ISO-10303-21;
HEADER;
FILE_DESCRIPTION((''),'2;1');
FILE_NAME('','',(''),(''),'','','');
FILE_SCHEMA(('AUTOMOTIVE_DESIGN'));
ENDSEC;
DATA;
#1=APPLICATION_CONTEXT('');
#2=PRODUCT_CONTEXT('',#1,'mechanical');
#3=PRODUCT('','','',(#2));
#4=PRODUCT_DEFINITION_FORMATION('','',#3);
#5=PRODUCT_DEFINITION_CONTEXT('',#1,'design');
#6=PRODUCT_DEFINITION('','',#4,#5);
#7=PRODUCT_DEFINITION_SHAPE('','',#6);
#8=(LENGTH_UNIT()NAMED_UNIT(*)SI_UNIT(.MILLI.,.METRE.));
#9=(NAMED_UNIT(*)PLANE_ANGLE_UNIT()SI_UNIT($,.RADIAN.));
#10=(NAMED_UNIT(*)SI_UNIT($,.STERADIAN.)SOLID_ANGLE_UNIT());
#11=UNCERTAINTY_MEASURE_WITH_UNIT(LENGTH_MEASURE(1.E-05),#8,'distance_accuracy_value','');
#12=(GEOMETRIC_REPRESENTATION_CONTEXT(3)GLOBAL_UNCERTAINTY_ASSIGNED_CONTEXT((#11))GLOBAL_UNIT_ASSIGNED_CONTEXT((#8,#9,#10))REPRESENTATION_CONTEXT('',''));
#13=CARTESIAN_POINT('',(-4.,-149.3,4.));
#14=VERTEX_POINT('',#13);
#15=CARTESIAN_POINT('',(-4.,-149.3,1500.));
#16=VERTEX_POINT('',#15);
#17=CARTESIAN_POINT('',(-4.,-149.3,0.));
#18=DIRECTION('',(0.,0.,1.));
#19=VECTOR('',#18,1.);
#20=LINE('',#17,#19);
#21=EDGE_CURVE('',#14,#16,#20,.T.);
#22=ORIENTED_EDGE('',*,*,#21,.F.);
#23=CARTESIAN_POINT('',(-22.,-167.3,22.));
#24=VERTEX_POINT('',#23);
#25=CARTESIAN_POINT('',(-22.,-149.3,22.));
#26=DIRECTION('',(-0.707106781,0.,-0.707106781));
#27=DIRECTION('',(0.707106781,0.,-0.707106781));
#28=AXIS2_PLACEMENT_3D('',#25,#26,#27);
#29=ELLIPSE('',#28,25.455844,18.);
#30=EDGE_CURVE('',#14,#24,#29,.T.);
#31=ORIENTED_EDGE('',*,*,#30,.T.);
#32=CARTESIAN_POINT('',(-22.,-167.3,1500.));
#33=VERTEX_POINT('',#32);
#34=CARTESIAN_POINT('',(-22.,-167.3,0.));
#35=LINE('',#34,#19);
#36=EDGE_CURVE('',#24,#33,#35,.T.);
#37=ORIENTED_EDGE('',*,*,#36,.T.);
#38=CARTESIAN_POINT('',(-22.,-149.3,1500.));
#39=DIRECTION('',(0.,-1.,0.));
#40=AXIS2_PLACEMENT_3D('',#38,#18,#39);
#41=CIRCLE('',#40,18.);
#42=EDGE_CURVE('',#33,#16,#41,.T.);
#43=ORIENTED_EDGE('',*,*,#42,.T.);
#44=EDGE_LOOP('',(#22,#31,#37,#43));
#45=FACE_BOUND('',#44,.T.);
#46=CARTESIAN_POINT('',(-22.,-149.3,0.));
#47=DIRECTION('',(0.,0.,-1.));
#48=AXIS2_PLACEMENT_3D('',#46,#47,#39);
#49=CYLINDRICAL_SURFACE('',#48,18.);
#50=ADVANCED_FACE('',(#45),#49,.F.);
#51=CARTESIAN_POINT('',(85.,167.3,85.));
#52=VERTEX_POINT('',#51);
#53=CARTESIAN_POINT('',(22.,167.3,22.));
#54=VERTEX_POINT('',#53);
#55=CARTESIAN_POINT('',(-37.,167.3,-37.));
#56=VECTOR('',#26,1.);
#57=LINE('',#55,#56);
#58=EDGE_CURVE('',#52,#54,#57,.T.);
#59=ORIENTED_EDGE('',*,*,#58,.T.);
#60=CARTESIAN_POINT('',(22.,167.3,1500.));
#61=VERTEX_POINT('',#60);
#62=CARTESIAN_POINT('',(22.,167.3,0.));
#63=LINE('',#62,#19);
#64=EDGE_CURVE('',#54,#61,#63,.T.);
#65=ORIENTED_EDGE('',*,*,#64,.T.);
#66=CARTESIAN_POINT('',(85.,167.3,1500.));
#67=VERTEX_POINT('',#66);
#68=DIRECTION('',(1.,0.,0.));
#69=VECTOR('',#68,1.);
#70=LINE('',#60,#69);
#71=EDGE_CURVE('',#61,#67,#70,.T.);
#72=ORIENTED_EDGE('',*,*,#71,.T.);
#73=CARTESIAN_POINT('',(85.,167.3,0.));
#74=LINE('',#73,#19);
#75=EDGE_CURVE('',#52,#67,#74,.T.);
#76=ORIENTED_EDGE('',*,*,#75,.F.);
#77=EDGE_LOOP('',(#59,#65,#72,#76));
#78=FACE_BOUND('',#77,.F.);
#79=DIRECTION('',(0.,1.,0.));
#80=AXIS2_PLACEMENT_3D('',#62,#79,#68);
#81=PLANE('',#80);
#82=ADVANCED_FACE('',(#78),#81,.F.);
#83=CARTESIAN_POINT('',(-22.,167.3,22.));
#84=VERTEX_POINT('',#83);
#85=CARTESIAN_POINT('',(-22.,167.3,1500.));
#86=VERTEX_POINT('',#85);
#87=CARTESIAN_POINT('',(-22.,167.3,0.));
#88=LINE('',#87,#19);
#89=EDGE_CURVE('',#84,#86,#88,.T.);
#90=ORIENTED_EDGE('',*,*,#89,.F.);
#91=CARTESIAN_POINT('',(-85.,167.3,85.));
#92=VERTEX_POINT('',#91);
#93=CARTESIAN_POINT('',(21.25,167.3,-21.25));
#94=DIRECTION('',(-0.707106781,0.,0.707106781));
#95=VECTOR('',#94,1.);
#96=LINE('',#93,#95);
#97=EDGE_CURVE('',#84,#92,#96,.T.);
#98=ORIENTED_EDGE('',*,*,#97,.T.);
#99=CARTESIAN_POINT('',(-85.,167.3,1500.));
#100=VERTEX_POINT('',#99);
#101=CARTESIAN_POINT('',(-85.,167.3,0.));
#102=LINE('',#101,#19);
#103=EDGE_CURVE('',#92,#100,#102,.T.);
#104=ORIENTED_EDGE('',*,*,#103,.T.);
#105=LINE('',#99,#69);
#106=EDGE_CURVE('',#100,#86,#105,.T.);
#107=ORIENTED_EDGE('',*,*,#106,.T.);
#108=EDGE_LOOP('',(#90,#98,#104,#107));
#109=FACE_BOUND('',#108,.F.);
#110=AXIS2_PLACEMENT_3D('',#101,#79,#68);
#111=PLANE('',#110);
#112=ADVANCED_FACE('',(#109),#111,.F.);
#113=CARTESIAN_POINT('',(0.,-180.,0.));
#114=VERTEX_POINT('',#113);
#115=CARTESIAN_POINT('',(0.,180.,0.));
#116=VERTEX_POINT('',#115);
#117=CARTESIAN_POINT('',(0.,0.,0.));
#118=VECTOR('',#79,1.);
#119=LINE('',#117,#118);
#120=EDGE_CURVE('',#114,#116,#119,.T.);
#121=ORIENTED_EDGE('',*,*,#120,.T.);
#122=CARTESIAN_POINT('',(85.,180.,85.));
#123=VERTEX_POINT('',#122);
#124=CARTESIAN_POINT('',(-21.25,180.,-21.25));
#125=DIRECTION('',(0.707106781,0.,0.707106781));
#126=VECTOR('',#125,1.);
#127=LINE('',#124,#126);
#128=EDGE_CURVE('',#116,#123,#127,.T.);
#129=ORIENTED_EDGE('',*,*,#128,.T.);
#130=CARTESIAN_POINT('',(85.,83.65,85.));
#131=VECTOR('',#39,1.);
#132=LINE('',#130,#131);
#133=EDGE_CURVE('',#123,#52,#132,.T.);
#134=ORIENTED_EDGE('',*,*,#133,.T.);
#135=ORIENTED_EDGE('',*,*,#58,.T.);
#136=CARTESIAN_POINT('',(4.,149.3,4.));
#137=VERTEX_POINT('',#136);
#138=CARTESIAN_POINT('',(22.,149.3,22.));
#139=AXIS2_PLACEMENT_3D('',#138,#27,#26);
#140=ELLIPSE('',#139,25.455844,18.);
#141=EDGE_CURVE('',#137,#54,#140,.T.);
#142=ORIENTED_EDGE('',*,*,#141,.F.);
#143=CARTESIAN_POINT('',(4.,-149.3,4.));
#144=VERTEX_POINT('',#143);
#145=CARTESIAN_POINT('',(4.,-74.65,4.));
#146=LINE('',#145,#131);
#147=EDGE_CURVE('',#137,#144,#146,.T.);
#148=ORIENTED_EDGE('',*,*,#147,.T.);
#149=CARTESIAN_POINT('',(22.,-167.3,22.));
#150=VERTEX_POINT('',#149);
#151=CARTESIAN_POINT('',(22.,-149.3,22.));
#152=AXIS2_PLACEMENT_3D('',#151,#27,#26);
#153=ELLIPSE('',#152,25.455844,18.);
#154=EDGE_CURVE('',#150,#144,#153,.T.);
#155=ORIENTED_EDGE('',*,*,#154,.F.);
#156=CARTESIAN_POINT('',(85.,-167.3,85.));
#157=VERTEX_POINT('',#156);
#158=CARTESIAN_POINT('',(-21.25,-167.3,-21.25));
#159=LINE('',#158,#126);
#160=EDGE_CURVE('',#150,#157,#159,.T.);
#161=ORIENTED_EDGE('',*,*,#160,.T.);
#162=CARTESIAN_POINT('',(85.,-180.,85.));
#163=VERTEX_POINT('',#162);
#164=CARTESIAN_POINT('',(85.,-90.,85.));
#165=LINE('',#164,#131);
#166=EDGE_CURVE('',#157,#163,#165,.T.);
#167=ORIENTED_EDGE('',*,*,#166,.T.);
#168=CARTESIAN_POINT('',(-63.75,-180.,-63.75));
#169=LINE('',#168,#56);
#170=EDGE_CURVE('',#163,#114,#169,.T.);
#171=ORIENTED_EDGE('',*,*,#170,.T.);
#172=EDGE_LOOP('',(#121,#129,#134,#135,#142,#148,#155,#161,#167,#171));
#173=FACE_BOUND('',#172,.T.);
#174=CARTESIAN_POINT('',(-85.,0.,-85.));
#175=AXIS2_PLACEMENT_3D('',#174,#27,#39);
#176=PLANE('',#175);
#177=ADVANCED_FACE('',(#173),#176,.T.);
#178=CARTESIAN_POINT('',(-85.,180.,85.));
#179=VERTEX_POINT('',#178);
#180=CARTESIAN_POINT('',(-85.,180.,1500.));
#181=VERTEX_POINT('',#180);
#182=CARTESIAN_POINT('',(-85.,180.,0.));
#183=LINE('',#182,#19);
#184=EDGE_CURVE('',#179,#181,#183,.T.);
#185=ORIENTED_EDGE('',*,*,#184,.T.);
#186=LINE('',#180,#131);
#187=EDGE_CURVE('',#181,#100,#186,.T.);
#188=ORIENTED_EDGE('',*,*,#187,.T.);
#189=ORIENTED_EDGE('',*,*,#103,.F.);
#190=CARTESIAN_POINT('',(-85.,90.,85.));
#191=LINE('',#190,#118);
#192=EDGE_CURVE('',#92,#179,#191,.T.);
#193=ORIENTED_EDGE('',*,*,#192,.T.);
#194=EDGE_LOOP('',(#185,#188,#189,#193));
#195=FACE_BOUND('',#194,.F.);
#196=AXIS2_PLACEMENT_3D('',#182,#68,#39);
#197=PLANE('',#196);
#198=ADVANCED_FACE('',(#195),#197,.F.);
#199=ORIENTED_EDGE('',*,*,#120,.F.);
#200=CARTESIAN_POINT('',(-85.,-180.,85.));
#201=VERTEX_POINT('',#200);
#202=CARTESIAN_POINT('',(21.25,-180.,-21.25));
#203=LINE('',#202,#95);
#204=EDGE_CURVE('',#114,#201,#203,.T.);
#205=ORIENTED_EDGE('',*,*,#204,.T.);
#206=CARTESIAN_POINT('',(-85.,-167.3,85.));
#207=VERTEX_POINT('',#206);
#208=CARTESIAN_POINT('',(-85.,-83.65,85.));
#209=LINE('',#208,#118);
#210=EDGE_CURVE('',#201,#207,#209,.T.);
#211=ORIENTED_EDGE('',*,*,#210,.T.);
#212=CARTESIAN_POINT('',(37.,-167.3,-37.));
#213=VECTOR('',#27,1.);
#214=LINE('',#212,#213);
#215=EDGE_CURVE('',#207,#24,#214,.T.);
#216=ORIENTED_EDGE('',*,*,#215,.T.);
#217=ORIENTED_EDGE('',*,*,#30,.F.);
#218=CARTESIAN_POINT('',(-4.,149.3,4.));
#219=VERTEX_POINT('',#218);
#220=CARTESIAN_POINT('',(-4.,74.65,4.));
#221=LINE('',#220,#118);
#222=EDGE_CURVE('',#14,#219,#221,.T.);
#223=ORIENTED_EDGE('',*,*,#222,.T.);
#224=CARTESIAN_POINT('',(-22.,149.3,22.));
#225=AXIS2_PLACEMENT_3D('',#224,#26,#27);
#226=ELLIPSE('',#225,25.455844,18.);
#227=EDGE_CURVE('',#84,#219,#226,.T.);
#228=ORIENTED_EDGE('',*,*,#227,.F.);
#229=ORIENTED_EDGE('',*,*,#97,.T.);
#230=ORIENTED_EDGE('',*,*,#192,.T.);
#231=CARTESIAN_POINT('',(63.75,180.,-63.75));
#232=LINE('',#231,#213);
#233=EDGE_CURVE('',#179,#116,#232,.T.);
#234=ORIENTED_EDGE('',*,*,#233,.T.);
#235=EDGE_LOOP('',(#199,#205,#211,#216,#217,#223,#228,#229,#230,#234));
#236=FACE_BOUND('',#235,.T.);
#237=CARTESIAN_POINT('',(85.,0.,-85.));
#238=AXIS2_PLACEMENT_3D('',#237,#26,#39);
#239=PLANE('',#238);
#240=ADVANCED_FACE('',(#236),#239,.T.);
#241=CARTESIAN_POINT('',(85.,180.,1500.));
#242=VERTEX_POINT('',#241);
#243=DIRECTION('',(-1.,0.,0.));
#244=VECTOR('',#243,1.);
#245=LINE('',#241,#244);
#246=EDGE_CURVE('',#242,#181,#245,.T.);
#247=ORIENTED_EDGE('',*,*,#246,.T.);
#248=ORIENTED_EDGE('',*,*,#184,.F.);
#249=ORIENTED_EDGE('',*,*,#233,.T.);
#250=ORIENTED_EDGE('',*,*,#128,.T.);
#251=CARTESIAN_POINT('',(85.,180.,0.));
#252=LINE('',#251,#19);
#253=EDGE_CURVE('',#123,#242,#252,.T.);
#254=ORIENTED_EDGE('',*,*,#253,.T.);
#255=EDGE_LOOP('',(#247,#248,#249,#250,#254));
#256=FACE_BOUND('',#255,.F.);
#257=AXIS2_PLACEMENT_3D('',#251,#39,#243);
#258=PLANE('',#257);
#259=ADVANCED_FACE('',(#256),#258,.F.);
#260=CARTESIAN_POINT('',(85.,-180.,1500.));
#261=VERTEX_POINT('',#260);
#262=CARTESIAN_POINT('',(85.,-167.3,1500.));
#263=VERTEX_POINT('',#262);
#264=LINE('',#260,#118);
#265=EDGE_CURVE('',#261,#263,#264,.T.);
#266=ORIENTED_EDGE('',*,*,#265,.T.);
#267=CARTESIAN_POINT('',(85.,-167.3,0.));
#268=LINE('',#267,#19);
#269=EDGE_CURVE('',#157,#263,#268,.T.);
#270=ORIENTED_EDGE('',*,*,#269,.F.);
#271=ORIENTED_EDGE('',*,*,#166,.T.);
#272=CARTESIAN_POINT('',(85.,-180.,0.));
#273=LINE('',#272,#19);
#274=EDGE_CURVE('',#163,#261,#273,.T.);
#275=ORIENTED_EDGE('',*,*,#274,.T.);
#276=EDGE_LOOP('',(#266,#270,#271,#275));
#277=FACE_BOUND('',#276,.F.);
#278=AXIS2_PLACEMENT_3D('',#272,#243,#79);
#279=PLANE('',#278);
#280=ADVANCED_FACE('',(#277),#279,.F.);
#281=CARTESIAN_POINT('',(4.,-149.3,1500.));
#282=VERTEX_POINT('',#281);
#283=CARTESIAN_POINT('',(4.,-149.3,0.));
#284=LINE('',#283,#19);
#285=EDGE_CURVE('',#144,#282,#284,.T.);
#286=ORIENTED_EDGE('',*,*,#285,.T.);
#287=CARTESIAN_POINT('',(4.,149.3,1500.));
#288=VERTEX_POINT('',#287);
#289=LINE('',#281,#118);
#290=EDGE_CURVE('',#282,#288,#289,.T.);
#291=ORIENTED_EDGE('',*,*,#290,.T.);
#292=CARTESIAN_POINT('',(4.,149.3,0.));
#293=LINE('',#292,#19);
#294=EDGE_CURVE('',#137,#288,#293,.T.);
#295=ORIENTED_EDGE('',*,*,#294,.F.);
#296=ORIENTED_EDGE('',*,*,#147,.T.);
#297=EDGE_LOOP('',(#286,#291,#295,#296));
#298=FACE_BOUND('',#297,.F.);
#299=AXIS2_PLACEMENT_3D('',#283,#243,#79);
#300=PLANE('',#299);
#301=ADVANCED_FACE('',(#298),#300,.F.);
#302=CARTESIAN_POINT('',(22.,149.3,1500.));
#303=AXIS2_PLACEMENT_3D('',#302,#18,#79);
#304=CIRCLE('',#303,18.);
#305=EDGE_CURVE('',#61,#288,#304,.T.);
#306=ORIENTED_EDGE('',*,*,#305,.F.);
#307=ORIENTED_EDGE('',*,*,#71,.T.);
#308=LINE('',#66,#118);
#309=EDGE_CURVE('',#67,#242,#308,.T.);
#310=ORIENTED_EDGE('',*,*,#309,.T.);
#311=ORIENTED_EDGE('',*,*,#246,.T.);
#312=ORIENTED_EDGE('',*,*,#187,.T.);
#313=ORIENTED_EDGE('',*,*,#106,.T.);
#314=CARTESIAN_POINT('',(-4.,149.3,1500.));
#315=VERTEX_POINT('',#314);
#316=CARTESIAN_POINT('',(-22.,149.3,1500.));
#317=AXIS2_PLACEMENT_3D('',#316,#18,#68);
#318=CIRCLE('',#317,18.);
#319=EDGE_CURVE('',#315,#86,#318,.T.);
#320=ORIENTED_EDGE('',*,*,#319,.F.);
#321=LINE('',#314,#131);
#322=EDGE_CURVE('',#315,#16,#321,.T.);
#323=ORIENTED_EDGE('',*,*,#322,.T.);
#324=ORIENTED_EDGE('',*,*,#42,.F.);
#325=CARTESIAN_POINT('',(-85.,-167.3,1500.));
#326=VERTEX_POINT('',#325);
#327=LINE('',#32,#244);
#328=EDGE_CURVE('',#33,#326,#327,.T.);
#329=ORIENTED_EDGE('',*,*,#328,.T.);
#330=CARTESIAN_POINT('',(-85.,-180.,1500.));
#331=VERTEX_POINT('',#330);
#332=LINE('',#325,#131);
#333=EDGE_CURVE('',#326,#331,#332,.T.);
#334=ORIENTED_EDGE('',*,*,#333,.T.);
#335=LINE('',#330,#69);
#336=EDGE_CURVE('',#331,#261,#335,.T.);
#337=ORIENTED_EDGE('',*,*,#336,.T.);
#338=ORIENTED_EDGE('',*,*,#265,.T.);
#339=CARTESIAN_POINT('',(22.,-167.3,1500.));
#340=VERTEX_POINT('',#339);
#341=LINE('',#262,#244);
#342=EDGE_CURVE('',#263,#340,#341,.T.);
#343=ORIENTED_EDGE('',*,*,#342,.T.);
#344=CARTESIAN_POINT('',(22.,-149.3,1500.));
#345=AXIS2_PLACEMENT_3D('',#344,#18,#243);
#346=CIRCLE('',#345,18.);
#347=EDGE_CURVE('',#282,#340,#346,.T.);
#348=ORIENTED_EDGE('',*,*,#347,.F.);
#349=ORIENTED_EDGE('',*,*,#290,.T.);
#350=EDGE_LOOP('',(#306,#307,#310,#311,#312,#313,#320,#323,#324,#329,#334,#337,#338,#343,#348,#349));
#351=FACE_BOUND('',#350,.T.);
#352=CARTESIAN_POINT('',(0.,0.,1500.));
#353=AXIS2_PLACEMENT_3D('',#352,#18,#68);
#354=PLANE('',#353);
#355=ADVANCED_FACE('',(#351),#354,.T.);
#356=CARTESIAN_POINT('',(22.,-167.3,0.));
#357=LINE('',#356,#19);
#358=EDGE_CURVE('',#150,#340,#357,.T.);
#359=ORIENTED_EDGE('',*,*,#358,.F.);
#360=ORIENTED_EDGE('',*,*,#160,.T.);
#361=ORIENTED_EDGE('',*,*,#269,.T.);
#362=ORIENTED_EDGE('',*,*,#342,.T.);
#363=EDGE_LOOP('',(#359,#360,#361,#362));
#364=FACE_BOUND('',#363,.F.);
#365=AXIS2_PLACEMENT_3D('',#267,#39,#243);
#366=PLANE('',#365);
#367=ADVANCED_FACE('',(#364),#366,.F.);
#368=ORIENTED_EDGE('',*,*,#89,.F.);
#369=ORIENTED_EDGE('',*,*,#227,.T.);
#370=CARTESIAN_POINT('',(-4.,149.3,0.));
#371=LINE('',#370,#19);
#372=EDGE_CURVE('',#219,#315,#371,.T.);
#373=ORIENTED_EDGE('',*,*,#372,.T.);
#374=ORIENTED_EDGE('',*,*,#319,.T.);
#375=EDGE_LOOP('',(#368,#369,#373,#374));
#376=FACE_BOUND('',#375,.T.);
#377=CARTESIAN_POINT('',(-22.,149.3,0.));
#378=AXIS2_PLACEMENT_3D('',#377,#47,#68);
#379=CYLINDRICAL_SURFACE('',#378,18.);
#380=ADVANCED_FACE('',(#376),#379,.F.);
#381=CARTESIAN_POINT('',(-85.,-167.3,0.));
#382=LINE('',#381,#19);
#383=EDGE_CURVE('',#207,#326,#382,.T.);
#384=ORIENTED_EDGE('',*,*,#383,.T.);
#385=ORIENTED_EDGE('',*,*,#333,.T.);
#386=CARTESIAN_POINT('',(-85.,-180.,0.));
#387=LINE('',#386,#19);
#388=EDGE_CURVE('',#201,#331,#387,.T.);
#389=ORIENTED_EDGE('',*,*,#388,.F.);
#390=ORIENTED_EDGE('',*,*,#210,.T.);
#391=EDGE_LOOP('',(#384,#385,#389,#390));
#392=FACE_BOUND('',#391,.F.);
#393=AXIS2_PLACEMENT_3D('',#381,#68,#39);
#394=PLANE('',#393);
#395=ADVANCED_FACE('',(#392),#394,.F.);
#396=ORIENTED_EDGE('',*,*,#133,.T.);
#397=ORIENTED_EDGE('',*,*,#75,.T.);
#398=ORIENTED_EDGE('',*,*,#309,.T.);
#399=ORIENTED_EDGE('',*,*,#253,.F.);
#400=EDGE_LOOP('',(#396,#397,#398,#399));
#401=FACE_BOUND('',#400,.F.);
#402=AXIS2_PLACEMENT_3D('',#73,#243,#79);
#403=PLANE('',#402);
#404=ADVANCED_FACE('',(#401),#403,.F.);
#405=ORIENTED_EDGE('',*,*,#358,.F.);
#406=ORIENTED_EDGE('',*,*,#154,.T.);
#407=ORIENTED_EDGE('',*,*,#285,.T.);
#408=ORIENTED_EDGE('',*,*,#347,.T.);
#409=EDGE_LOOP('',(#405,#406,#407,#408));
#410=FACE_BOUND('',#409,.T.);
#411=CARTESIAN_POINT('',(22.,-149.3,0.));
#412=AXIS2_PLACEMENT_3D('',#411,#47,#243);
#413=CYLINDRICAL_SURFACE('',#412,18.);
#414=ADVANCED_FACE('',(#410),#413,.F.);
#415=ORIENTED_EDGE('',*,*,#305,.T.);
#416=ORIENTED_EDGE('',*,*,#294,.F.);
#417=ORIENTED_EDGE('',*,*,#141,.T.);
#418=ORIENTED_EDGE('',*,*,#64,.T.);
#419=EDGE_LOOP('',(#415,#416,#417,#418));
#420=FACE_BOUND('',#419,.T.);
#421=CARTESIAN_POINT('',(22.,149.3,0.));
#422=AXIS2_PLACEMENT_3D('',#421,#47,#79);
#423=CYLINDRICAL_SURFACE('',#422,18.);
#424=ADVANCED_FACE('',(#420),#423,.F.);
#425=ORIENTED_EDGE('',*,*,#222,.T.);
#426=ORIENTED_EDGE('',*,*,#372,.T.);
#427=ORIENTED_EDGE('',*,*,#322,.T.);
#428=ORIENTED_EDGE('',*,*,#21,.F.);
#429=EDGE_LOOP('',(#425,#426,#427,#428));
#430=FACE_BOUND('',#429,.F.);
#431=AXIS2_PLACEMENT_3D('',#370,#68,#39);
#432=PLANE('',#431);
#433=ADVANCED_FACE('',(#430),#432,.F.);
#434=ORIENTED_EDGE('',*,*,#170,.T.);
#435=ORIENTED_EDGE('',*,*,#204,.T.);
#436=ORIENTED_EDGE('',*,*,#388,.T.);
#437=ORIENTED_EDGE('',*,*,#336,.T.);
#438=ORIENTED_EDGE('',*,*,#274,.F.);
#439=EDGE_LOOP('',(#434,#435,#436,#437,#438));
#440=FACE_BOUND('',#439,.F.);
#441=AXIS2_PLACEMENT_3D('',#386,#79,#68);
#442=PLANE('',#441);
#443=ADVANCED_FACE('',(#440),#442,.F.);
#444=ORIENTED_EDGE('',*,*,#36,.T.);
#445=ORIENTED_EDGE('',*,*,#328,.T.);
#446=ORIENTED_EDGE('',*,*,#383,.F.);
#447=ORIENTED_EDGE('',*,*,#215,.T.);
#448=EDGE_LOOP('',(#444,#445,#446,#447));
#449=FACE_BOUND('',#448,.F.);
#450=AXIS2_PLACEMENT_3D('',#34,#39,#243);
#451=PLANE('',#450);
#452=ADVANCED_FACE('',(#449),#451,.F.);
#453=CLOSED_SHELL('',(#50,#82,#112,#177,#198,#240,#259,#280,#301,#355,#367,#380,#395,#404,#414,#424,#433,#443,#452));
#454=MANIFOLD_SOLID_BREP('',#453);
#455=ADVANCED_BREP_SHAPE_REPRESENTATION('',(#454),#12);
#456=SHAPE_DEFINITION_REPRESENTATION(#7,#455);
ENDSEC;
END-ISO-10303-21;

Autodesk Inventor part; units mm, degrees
ref_plane "Start Plane" through (0, 0, 0) normal (0, 0, 1) x (1, 0, 0)
ref_plane "End Plane" through (0, 0, 1500) normal (0, 0, 1) x (1, 0, 0)
sketch "Sketch" plane through (0, 0, 0) normal (0, 0, 1) x (1, 0, 0)
  line L0 (-85, 167.3) -> (-22, 167.3)
  line L1 (-85, 180) -> (-85, 167.3)
  line L2 (85, 180) -> (-85, 180)
  line L3 (85, 167.3) -> (85, 180)
  line L4 (22, 167.3) -> (85, 167.3)
  line L5 (4, -149.3) -> (4, 149.3)
  line L6 (85, -167.3) -> (22, -167.3)
  line L7 (85, -180) -> (85, -167.3)
  line L8 (-85, -167.3) -> (-85, -180)
  line L9 (-22, -167.3) -> (-85, -167.3)
  line L10 (-4, 149.3) -> (-4, -149.3)
  line L11 (0, -252) -> (0, 252) construction
  line L12 (-4, -167.3) -> (4, -167.3) construction
  arc A0 (-22, -167.3) -> (-4, -149.3) centre (-22, -149.3) ccw
  arc A1 (-4, 149.3) -> (-22, 167.3) centre (-22, 149.3) ccw
  arc A2 (22, 167.3) -> (4, 149.3) centre (22, 149.3) ccw
  arc A3 (4, -149.3) -> (22, -167.3) centre (22, -149.3) ccw
  line L13 (-119, 0) -> (119, 0) construction
  line L14 (-85, -180) -> (85, -180)
  point P0 (-4, 167.3)
  point P1 (4, 167.3)
  point P2 (0, 0)
  point P3 (0, -167.3)
  point P4 (0, 0)
  dimension "d1" = 360
  dimension "d3" = 12.7
  dimension "d5" = 8
  dimension "d7" = 170
  dimension "d13" = 18
  dimension "d14" = 180
  dimension "d15" = 85
extrude "Body" add sketch "Sketch" along normal up to surface (1500 mm away) from surface at 0
sketch "Sketch3" plane through (0, 0, 0) normal (0, 0, 1) x (1, 0, 0)
  line L0 (0, 0) -> (10, 0)
ref_plane "Work Plane3" through (0, 0, 0) normal (0, -1, 0) x (1, 0, 0)
ref_plane "Work Plane4" through (-85, 0, -85) normal (0.7071, 0, -0.7071) x (-0.7071, 0, -0.7071)
split "Split1" plane through (-85, 0, -85) removes the side toward (0.7071, 0, -0.7071)
ref_plane "Work Plane5" through (85, 0, -85) normal (-0.7071, 0, -0.7071) x (-0.7071, 0, 0.7071)
split "Split2" plane through (85, 0, -85) removes the side toward (-0.7071, 0, -0.7071)
sketch "Sketch4" plane through (0, 0, 0) normal (0, -1, 0) x (1, 0, 0)
  line L0 (-2, 0) -> (12, 0) projected
  line L1 (-2, 1500) -> (12, 1500) projected
  dimension "d19" = 1500
equation "\"d1\" = ParH"
equation "\"d3\" = t2"
equation "\"d5\" = t1"
equation "\"d7\" = b"
equation "\"d13\" = R1"
equation "\"d14\" = 0.5 * d1"
equation "\"d15\" = 0.5 * d7"
equation "\"d8\" = G_L"
equation "\"b\" = 170"
equation "\"ParH\" = 360"
equation "\"R1\" = 18"
equation "\"G_L\" = d19"
equation "\"t1\" = 8"
equation "\"t2\" = 12.7"
equation "\"G_OFFSET_START\" = 0"
equation "\"G_OFFSET_END\" = 0"
properties part number "DIN 1025 - IPE 360-1500" material "Steel, Mild"
